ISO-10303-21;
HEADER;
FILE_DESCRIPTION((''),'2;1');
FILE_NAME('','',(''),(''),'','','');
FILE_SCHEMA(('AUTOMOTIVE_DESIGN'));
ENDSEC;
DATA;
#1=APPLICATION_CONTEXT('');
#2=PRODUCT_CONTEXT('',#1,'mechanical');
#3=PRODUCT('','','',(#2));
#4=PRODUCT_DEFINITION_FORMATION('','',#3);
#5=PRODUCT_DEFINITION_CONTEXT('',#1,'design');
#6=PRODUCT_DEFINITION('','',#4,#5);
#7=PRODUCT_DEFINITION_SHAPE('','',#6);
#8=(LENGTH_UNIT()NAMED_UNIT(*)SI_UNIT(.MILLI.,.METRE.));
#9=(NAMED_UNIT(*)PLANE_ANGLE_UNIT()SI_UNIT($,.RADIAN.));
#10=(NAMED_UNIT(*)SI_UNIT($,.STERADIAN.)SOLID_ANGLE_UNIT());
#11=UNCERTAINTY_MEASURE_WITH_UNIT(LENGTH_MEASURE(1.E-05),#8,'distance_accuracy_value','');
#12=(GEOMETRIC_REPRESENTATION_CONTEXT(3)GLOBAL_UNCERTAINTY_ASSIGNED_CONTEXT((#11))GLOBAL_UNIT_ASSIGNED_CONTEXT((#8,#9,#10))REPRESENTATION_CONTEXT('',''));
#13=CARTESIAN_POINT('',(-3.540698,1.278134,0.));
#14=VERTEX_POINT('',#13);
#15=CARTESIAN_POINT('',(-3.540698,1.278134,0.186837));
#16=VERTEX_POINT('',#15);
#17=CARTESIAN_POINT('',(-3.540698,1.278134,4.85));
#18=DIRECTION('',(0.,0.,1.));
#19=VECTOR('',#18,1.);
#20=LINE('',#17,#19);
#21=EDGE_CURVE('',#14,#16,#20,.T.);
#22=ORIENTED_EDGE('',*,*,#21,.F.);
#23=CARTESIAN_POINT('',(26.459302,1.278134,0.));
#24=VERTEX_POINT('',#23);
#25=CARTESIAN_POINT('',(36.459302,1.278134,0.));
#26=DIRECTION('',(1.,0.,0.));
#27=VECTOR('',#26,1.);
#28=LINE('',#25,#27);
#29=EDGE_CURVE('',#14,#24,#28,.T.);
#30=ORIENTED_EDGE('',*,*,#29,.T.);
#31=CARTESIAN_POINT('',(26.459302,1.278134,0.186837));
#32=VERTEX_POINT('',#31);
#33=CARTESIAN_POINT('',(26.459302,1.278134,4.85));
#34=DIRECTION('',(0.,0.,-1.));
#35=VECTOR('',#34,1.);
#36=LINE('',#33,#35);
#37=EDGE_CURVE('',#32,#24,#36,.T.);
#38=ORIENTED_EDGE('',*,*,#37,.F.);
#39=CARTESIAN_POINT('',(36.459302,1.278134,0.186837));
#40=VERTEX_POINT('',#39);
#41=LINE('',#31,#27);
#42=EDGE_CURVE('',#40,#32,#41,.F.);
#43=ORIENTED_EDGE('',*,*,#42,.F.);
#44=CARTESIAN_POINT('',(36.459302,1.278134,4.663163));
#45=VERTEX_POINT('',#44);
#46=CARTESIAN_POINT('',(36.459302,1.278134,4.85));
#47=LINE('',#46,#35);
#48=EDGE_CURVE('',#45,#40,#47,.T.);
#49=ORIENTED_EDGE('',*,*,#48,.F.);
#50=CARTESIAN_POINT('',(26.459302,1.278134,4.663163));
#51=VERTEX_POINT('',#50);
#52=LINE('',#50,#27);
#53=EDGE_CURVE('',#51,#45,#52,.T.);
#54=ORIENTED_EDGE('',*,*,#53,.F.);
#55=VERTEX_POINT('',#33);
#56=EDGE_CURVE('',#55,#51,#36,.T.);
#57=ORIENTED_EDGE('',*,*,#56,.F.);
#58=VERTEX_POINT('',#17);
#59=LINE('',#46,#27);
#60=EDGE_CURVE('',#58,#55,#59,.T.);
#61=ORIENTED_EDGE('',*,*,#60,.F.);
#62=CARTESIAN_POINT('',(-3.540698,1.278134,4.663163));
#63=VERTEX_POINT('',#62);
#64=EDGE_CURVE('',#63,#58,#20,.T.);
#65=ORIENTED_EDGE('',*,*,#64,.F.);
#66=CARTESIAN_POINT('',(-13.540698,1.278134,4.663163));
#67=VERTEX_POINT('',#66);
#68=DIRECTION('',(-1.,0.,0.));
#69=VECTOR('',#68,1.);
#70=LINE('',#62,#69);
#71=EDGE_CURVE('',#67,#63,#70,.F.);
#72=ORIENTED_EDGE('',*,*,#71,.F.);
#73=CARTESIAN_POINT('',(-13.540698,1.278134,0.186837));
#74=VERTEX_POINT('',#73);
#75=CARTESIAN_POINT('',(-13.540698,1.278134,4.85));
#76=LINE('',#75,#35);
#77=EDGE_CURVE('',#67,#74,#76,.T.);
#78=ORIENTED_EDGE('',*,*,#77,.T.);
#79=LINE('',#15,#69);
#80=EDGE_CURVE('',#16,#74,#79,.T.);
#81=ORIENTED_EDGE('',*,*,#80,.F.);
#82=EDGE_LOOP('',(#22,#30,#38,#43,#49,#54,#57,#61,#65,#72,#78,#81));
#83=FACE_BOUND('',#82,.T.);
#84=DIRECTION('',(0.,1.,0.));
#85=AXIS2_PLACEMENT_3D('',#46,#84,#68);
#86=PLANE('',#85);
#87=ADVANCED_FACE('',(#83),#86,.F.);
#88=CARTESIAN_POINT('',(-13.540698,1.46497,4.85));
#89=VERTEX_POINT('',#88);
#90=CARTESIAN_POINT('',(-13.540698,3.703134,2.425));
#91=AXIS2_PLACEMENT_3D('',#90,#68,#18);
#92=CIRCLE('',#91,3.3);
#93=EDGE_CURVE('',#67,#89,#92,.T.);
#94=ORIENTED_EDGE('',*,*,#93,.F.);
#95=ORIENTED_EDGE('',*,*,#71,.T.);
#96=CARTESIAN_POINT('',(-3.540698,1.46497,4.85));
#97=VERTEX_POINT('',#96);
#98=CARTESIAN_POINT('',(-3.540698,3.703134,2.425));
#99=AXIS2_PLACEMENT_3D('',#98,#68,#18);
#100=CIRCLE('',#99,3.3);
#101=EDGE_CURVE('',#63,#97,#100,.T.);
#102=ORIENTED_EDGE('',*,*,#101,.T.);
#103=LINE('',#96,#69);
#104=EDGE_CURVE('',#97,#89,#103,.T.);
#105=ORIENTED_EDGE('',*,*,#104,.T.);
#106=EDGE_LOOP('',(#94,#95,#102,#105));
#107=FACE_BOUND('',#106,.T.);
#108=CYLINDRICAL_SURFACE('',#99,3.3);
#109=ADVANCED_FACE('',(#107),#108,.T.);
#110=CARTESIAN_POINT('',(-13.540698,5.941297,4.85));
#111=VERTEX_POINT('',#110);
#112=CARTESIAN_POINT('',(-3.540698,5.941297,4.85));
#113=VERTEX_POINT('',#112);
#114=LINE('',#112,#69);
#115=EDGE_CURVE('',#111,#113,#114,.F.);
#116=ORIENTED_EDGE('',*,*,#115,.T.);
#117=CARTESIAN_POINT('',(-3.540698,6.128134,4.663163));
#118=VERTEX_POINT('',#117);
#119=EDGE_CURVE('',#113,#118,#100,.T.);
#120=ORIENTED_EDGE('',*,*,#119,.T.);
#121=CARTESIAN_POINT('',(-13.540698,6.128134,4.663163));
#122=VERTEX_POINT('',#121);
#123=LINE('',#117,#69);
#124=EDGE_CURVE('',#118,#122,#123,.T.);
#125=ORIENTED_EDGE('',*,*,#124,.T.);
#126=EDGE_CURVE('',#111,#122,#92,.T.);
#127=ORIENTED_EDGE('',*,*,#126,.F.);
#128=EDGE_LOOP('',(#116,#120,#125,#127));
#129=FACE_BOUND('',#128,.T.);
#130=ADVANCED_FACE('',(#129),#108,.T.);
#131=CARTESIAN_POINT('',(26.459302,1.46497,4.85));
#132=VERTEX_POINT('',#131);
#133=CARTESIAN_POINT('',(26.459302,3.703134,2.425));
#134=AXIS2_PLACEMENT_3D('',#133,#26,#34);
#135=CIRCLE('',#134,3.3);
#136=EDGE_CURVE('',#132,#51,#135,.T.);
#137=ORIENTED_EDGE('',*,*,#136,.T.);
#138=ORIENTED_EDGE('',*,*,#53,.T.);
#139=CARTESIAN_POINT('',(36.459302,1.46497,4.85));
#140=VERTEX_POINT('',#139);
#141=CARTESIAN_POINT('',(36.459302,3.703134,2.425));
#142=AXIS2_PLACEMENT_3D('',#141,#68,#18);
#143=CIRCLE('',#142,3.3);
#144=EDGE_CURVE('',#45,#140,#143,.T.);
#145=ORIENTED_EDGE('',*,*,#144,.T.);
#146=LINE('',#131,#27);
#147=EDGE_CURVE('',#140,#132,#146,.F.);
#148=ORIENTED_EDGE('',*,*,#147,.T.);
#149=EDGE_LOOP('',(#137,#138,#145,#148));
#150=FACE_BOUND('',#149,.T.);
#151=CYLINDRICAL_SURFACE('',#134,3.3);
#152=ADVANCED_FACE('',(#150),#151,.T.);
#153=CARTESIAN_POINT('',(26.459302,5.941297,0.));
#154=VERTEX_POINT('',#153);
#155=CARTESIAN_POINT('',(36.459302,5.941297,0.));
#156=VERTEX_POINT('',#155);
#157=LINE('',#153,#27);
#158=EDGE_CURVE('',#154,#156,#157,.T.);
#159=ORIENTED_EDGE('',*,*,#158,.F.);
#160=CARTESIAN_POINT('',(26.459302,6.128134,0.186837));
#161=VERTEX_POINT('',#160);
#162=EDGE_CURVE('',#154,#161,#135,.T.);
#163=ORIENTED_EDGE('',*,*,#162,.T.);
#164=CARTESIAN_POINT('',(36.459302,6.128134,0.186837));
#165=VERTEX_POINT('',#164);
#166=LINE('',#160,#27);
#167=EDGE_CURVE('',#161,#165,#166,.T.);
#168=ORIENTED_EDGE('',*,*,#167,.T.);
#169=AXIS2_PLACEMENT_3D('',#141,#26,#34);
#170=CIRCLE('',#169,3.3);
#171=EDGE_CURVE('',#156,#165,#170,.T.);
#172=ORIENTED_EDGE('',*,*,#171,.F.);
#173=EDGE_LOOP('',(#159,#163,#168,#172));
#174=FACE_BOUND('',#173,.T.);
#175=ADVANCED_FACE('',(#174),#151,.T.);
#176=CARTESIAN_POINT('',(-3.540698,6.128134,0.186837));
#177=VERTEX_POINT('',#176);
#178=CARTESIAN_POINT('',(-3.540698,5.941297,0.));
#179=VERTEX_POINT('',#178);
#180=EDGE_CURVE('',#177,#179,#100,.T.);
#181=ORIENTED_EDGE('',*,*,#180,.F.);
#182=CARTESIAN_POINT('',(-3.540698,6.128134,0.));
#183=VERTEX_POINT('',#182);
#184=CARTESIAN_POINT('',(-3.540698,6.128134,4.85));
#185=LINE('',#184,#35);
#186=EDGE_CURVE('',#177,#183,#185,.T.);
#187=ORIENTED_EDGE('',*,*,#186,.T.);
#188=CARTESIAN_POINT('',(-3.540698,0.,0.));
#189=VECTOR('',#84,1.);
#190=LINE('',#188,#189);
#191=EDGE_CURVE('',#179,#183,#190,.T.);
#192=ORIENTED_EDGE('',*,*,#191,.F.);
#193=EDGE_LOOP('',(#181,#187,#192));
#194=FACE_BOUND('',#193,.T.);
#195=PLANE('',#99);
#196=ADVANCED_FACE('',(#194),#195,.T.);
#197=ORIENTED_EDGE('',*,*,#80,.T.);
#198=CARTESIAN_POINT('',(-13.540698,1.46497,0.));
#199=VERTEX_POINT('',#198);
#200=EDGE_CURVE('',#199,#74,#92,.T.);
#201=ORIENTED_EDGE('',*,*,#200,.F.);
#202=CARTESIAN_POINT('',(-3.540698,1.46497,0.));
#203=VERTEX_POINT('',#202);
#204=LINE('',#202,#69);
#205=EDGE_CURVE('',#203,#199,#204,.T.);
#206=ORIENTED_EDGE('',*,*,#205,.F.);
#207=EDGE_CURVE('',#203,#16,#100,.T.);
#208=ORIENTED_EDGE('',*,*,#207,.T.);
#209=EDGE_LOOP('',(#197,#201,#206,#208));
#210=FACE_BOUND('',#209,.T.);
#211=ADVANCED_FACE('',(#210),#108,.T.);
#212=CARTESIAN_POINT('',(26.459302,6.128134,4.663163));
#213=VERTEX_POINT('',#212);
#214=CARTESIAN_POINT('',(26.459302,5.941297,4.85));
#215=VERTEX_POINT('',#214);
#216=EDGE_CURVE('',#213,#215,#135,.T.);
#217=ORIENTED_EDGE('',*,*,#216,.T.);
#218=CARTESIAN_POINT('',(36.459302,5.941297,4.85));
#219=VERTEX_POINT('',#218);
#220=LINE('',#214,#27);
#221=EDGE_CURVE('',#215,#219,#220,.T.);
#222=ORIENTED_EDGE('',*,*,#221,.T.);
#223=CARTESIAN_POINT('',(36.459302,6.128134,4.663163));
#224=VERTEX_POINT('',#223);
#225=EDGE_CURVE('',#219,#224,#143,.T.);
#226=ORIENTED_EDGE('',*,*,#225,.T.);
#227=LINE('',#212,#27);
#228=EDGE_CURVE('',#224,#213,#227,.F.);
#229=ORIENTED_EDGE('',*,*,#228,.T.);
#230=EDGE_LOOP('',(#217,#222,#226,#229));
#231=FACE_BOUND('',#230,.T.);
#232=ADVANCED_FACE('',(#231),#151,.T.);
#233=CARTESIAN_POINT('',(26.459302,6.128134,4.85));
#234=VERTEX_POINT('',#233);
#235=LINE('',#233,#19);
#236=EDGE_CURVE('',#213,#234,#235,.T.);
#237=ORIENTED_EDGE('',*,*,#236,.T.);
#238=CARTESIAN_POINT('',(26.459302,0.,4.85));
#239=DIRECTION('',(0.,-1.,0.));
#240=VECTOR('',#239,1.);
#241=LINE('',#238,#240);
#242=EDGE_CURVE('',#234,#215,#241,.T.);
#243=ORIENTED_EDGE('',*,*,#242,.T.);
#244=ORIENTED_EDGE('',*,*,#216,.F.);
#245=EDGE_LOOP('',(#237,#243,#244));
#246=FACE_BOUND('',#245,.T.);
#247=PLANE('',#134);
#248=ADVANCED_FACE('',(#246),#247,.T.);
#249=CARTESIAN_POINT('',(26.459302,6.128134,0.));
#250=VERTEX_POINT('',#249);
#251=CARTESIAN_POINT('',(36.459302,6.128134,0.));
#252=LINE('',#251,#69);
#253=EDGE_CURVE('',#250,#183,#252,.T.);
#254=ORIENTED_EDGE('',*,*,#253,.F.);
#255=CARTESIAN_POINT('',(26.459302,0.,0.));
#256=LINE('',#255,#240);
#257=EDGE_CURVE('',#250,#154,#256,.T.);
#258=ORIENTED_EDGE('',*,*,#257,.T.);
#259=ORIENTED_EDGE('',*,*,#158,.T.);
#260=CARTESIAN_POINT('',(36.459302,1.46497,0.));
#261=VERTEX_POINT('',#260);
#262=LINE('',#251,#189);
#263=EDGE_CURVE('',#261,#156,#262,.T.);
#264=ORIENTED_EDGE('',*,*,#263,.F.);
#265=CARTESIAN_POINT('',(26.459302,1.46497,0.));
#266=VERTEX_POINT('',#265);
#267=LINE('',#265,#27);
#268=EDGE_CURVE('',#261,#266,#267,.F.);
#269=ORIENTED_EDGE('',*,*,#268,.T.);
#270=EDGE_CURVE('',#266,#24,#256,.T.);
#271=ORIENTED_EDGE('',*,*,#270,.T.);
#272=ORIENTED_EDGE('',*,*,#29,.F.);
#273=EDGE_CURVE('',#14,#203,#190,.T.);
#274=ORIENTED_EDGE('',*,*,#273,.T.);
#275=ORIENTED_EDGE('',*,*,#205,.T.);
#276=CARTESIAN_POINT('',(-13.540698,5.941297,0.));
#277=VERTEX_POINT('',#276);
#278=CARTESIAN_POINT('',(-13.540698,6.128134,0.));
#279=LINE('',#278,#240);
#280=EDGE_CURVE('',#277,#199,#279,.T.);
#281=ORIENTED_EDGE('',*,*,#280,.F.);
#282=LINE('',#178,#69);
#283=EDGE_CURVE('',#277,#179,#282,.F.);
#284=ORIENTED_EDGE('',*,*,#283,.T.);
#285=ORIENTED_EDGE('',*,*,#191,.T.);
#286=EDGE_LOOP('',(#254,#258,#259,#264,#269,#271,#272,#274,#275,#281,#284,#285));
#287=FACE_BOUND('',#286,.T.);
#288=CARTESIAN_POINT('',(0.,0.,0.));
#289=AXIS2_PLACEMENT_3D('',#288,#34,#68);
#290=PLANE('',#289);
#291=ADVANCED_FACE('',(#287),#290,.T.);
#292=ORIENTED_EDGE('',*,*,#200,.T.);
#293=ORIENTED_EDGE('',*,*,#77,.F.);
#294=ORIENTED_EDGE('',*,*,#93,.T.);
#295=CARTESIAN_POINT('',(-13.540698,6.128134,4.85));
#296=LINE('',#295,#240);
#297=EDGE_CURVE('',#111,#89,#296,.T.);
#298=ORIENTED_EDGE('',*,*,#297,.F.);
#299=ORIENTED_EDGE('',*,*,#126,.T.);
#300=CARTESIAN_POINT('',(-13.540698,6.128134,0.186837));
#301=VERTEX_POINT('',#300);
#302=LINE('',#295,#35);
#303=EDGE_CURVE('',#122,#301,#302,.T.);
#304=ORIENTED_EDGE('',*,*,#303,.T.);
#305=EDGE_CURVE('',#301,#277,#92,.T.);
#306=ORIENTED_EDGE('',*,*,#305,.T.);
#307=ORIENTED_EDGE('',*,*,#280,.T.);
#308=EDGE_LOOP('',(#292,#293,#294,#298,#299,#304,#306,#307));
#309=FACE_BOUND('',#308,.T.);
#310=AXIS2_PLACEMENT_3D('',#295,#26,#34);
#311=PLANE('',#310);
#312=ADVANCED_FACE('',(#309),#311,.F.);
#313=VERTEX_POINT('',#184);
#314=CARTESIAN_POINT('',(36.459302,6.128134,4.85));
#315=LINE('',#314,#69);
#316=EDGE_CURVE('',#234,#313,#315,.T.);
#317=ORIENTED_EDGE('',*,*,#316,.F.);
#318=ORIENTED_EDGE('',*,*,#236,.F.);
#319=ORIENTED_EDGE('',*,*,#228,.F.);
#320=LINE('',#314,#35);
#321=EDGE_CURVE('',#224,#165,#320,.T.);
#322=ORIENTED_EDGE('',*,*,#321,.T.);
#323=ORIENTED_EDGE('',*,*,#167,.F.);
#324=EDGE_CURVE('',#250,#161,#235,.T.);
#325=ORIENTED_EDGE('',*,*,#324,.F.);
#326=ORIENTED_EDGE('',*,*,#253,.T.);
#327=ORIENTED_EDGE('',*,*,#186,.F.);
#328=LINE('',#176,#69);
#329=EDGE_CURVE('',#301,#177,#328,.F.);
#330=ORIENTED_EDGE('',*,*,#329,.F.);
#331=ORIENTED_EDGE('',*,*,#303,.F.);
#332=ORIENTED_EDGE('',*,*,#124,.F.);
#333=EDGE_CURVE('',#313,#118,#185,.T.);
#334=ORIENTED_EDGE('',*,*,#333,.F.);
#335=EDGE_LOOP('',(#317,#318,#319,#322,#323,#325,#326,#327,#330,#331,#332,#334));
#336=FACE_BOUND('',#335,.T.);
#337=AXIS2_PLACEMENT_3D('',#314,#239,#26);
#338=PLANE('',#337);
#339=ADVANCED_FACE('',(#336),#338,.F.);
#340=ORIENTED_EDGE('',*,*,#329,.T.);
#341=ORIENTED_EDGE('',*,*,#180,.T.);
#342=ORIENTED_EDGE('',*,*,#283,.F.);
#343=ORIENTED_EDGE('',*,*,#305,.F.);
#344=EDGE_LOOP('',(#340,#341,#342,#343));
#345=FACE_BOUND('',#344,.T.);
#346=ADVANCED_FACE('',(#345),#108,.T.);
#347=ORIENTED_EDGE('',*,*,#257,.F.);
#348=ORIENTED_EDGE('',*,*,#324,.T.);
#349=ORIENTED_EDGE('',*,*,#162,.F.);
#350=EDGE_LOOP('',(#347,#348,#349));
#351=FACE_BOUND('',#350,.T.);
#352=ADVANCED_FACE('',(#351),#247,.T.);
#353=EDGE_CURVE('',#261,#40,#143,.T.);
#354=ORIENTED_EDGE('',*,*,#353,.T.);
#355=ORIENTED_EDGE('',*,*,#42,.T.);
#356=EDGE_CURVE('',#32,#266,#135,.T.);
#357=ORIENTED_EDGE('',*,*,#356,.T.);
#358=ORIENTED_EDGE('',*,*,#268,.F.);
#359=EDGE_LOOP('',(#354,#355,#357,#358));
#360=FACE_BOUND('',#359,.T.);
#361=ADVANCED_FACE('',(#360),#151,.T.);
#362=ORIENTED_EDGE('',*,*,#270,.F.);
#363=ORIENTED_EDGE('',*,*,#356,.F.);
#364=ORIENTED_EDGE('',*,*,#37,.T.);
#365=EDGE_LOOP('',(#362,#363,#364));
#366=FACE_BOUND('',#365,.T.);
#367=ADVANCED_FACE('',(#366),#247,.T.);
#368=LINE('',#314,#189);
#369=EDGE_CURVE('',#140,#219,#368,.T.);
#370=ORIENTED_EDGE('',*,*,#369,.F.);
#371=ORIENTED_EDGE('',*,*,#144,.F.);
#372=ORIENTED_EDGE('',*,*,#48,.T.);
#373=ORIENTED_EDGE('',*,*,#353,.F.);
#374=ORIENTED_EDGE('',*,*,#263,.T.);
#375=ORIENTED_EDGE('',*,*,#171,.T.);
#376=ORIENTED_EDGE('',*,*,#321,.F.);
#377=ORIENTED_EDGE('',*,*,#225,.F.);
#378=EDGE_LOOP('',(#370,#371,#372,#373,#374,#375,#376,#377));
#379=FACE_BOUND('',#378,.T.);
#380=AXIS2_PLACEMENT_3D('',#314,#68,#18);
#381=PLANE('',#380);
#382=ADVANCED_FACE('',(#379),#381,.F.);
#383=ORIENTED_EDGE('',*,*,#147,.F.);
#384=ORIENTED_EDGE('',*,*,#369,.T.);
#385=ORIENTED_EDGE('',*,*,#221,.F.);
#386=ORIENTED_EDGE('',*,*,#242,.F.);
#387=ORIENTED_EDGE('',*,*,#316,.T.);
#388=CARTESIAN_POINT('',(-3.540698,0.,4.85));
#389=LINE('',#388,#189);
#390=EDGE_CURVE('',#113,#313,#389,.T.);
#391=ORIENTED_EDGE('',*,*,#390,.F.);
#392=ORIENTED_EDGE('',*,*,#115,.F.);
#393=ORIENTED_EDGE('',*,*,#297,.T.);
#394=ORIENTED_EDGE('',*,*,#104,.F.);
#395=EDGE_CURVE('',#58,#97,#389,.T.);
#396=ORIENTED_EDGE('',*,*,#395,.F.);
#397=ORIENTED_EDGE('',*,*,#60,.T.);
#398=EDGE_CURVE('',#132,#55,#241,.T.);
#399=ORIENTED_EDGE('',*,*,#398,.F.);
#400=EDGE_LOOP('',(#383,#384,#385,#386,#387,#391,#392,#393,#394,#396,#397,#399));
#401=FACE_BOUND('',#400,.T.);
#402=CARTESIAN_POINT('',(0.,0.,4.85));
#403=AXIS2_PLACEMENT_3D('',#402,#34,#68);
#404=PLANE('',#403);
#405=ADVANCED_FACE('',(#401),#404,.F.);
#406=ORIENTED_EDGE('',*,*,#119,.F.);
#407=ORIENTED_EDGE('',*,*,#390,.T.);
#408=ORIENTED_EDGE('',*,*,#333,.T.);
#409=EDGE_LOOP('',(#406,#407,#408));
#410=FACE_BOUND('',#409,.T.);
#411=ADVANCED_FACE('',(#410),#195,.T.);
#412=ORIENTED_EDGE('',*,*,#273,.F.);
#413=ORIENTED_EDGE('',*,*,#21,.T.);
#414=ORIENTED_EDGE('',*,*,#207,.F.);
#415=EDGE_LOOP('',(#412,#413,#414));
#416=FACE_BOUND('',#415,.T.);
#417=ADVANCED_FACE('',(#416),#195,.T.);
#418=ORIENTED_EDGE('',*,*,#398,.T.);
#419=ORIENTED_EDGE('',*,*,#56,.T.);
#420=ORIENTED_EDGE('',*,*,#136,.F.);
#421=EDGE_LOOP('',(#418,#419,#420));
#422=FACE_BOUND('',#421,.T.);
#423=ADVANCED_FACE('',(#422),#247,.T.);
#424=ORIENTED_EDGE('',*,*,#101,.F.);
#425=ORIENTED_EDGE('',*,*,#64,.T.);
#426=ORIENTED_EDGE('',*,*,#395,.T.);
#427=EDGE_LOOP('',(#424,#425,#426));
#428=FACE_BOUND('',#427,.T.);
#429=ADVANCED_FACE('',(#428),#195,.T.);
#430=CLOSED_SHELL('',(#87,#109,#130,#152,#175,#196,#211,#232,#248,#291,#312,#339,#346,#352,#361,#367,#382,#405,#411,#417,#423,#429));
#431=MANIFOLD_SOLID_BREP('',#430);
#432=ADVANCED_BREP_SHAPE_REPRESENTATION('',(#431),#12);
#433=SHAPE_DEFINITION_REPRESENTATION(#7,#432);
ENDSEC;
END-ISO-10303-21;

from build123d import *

# Parameters (mm, degrees)
SKETCH_1_W          = 50
SKETCH_1_H          = 4.85
EXTRUDE_1_DEPTH     = 4.85
SKETCH_2_OUTSIDE_W  = 16.944
SKETCH_2_OUTSIDE_H  = 16.944
SKETCH_2_OUTSIDE_R  = 3.3
CUT_EXTRUDE_1_DEPTH = 10
SKETCH_3_OUTSIDE_W  = 16.944
SKETCH_3_OUTSIDE_H  = 16.944
SKETCH_3_OUTSIDE_R  = 3.3
CUT_EXTRUDE_2_DEPTH = 10


with BuildPart() as part:
    # 草图1 → 凸台-拉伸1 (new body)
    with BuildSketch(Plane.XY):
        with Locations((11.459302289, 3.703133705)):
            Rectangle(SKETCH_1_W, SKETCH_1_H)
    extrude(amount=EXTRUDE_1_DEPTH)

    # 草图2 outside → 切除-拉伸1 (cut)
    with BuildSketch(Plane.ZY.offset(13.540697711)):
        with Locations((2.425, 3.703)):
            Rectangle(SKETCH_2_OUTSIDE_W, SKETCH_2_OUTSIDE_H)
        with Locations((2.425, 3.703133705)):
            Circle(SKETCH_2_OUTSIDE_R, mode=Mode.SUBTRACT)
    extrude(amount=-CUT_EXTRUDE_1_DEPTH, mode=Mode.SUBTRACT)

    # 草图3 outside → 切除-拉伸2 (cut)
    with BuildSketch(Plane(origin=(36.459302289, 0, 0), x_dir=(0, 0, -1), z_dir=(1, 0, 0))):
        with Locations((-2.425, 3.703)):
            Rectangle(SKETCH_3_OUTSIDE_W, SKETCH_3_OUTSIDE_H)
        with Locations((-2.425, 3.703133705)):
            Circle(SKETCH_3_OUTSIDE_R, mode=Mode.SUBTRACT)
    extrude(amount=-CUT_EXTRUDE_2_DEPTH, mode=Mode.SUBTRACT)


solid = part.part
